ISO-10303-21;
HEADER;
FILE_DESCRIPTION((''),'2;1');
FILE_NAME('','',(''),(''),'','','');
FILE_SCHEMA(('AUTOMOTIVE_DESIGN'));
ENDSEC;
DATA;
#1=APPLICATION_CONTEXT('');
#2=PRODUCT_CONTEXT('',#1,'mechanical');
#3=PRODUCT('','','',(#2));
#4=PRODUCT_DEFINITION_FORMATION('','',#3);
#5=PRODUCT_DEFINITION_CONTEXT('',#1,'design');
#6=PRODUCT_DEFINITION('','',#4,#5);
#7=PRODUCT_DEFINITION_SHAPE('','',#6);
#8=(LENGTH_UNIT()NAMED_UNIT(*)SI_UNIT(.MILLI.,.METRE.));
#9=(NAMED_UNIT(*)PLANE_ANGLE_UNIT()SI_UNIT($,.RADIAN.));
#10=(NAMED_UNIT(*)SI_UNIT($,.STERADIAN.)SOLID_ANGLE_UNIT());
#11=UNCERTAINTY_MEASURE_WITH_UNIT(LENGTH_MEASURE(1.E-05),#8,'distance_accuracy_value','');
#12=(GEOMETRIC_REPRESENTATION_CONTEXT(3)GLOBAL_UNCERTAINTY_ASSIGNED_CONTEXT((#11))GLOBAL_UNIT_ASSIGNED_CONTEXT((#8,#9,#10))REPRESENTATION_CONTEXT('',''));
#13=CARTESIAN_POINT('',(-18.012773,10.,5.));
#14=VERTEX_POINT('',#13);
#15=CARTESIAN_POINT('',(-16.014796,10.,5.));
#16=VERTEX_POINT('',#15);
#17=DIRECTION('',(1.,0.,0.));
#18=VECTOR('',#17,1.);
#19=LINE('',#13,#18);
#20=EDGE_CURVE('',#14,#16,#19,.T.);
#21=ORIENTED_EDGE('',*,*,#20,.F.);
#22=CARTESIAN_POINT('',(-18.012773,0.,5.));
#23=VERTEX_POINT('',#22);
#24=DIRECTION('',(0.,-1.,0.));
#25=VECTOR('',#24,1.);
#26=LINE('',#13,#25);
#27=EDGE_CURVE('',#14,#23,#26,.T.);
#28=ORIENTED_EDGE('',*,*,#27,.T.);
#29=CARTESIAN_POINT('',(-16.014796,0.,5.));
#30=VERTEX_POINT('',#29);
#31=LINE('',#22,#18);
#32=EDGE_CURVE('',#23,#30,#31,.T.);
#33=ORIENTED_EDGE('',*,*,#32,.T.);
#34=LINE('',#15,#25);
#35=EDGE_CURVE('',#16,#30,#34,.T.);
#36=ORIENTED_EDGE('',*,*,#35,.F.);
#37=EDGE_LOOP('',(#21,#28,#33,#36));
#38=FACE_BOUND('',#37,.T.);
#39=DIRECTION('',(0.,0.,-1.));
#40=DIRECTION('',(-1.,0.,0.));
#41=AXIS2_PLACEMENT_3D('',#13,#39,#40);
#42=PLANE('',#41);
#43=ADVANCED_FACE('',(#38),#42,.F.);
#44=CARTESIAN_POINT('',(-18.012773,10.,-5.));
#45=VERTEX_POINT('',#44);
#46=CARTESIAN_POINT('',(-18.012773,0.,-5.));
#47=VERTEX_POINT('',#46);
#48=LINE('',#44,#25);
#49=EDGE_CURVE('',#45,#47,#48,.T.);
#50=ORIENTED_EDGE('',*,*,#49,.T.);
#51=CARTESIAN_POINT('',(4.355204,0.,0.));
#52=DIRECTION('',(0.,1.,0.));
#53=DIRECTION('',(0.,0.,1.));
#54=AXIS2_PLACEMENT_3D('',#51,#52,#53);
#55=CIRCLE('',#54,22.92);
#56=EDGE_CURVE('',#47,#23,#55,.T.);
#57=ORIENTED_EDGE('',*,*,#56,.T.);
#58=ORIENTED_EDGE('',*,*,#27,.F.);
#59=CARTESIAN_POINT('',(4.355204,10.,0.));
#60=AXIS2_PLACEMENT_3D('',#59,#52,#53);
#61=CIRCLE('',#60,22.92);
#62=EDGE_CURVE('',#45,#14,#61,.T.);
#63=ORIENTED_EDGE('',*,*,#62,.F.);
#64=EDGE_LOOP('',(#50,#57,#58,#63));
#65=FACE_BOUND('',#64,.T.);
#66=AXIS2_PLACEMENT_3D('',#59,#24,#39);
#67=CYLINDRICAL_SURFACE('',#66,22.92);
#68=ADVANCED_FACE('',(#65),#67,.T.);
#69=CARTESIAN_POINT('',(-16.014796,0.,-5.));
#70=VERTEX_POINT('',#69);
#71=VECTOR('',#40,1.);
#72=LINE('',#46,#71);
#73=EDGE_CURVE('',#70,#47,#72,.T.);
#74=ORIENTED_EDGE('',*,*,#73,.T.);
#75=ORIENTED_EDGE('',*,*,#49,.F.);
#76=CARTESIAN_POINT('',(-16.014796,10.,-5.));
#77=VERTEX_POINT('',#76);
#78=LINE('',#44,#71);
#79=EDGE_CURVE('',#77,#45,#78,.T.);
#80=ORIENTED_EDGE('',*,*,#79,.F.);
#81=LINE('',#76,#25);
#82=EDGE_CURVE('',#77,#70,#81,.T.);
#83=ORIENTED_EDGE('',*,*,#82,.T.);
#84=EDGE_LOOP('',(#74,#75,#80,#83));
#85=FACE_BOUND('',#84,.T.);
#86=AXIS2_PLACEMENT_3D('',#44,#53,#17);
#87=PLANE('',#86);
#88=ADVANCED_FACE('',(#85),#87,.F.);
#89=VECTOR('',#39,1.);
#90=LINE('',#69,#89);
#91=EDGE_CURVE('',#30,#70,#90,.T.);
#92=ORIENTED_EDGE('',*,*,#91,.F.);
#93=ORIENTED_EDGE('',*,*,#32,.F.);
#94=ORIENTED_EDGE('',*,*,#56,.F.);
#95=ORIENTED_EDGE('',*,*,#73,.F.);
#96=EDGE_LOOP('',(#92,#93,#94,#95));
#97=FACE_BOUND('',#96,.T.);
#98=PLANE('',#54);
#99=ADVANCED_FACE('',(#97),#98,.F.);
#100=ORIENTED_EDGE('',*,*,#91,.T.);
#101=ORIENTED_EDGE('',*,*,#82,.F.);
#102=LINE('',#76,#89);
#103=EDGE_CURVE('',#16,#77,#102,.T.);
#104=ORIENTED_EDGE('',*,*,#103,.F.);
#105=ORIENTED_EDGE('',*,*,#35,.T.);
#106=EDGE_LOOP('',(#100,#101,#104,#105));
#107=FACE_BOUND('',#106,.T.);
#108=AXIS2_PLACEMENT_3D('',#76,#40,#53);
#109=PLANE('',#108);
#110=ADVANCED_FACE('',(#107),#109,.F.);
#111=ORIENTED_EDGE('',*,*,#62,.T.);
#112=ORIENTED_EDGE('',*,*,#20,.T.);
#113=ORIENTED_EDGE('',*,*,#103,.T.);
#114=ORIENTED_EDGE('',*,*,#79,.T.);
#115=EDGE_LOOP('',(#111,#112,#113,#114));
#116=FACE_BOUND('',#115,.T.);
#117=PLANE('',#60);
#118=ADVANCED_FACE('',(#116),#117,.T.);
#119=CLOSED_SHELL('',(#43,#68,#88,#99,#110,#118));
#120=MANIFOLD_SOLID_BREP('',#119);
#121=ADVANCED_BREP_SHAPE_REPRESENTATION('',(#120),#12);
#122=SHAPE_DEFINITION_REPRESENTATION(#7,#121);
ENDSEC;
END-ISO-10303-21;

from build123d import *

# Parameters (mm, degrees)
EXTRUDE_1_DEPTH = 10


with BuildPart() as part:
    # 草图1 → 凸台-拉伸1 (new body)
    with BuildSketch(Plane(origin=(0, 0, 0), x_dir=(1, 0, 0), z_dir=(0, 1, 0))):
        with BuildLine():
            Line((-18.012772775, 5), (-16.014795665, 5))
            Line((-16.014795665, 5), (-16.014795665, -5))
            Line((-16.014795665, -5), (-18.012772775, -5))
            ThreePointArc((-18.012772775, -5), (-18.564795665, 0), (-18.012772775, 5))
        make_face()
    extrude(amount=EXTRUDE_1_DEPTH)


solid = part.part
